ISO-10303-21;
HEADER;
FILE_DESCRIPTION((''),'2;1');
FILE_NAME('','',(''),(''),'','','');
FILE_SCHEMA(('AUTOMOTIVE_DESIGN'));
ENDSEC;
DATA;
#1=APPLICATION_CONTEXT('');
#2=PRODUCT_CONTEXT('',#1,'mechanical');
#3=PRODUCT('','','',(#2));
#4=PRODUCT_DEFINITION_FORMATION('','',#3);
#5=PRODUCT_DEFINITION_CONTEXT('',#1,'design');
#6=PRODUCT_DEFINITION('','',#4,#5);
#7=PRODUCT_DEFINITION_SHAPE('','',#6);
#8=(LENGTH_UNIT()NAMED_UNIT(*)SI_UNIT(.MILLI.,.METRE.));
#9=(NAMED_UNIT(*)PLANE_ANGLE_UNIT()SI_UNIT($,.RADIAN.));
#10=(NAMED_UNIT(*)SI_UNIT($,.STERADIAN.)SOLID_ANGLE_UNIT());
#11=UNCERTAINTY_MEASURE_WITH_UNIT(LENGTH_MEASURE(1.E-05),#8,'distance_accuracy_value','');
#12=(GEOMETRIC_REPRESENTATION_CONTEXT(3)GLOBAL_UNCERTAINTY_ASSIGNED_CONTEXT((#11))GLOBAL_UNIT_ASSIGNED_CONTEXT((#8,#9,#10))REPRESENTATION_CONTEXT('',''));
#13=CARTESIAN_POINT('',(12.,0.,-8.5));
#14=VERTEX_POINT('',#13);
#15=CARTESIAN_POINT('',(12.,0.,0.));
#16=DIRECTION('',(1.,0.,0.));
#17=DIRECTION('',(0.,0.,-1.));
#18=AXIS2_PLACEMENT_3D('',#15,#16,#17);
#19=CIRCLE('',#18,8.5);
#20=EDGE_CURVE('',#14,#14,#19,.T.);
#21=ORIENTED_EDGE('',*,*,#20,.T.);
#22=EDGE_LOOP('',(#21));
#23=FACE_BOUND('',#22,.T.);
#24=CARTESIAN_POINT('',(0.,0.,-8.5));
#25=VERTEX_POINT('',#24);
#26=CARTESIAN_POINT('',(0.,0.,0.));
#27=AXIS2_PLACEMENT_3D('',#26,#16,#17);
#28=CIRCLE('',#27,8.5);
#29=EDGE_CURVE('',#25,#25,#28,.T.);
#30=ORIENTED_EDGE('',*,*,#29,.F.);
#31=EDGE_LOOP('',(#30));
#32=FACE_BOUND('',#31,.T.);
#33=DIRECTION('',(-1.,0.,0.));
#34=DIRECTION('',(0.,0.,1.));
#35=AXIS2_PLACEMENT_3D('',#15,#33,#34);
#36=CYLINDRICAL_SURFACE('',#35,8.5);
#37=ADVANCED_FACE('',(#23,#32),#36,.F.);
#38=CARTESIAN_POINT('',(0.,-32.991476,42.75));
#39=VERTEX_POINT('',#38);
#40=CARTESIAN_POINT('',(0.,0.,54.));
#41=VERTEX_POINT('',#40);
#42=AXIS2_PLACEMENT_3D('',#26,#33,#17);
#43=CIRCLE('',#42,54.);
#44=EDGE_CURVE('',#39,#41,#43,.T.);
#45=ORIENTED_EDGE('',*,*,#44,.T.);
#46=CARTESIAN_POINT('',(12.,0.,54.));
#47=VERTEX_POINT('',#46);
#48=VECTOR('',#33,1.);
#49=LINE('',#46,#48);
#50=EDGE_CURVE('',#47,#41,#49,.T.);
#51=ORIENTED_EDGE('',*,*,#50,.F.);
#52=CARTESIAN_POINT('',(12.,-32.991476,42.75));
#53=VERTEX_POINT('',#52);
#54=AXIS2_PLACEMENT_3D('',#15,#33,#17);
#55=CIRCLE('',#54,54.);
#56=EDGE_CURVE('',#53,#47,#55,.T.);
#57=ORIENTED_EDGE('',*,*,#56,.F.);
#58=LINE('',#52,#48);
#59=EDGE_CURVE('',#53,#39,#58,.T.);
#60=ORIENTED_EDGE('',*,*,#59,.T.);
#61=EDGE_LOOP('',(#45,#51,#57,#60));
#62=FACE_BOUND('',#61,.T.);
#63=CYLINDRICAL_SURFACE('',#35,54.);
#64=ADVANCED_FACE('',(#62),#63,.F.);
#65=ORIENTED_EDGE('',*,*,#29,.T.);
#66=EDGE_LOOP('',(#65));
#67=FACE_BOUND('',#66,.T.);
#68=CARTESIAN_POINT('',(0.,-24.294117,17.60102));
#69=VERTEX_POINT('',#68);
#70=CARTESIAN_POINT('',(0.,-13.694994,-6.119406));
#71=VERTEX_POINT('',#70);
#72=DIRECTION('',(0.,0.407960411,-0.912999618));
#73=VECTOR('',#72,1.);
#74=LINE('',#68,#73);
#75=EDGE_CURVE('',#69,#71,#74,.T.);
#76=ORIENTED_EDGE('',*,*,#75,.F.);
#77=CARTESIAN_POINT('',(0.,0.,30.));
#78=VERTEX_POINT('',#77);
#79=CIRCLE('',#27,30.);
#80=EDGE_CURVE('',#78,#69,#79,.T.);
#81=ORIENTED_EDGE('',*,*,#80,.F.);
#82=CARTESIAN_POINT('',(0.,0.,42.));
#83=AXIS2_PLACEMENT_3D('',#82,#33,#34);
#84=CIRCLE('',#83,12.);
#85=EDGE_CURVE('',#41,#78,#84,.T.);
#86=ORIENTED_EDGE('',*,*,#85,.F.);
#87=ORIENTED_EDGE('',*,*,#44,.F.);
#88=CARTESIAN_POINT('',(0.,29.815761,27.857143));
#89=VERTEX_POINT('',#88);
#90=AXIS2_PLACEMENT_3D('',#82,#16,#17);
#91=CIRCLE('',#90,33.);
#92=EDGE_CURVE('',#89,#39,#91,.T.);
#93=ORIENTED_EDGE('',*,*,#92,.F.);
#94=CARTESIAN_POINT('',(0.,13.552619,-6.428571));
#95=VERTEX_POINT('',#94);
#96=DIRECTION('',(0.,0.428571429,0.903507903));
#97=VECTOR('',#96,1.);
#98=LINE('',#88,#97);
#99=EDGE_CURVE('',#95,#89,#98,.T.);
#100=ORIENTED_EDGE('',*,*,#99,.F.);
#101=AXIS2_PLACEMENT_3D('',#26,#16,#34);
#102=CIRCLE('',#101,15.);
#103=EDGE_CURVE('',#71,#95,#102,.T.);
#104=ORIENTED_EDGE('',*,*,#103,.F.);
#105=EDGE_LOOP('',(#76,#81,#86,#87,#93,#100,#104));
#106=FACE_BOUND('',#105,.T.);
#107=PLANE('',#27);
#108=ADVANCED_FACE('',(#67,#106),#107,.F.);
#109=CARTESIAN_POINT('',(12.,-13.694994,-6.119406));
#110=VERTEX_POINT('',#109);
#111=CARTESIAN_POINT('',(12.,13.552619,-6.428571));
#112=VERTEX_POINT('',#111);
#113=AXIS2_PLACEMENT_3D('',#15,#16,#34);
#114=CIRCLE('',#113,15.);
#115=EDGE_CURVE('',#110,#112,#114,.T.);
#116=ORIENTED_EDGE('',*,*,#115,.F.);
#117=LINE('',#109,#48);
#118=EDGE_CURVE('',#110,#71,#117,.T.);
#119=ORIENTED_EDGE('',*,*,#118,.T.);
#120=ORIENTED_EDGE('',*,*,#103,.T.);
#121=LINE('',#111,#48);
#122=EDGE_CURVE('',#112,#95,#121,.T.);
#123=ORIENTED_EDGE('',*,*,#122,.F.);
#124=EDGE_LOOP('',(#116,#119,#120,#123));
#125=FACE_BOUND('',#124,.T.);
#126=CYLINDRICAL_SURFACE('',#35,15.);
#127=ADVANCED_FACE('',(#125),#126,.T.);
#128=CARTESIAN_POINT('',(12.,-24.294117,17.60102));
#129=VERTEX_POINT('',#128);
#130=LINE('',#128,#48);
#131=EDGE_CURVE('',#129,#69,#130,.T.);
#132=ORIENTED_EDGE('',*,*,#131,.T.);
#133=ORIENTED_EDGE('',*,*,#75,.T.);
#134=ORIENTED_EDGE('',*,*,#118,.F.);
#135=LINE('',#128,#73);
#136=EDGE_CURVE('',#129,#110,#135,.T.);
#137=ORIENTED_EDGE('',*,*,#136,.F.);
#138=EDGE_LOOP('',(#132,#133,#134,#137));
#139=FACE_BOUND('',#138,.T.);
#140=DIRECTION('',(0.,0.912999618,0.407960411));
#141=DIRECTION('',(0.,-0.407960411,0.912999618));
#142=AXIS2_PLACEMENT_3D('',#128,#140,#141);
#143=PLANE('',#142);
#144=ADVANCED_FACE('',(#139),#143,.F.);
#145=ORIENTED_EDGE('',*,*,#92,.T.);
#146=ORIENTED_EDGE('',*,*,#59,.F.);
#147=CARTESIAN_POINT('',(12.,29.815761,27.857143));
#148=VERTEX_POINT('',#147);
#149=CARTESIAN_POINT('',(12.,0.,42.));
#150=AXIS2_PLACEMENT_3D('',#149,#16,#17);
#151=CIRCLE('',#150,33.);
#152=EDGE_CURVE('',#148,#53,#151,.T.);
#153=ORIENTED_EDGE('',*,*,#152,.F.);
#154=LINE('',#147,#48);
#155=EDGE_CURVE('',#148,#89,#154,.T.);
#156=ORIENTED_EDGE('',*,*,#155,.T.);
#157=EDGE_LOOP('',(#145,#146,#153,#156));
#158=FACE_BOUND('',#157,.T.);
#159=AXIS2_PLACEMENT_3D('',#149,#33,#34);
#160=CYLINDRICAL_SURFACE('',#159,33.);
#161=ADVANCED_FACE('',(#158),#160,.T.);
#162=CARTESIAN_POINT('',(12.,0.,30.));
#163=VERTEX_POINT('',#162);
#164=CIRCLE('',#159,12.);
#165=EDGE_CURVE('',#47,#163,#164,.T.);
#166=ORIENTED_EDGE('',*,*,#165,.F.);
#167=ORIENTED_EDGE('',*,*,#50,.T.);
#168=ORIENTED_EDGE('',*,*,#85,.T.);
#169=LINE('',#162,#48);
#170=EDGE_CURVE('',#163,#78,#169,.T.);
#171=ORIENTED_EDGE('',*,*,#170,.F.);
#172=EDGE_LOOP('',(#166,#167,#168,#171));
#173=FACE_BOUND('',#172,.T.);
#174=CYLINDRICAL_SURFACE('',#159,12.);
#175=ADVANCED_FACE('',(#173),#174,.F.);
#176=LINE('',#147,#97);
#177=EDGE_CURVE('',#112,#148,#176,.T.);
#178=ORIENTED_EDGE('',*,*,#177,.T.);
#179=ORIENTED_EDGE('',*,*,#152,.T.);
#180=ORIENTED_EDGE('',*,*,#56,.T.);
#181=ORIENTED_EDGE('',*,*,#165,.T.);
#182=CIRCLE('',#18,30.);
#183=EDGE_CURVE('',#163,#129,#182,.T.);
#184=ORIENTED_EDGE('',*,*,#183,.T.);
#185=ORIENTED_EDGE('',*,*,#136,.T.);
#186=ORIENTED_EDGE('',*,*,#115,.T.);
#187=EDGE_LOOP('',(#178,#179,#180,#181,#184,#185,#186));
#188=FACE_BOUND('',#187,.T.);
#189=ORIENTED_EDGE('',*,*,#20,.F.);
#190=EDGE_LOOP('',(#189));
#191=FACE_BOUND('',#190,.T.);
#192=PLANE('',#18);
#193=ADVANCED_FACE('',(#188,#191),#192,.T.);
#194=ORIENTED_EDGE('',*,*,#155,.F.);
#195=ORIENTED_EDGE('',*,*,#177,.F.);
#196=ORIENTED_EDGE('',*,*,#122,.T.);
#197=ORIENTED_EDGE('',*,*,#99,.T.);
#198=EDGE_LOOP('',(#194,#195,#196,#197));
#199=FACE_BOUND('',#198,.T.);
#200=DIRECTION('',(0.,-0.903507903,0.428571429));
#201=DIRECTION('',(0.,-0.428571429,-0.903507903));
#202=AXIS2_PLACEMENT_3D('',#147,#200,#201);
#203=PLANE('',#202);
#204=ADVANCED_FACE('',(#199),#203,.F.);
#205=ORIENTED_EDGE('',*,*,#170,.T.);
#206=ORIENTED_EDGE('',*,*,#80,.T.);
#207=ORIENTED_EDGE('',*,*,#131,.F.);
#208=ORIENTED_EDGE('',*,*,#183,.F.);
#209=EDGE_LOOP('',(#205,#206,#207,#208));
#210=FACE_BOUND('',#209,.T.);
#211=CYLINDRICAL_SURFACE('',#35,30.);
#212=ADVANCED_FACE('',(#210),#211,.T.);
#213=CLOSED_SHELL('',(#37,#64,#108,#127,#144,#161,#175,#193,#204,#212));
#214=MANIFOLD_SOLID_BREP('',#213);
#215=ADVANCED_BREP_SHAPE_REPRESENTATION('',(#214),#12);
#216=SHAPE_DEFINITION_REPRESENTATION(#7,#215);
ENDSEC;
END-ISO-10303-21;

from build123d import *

# Parameters (mm, degrees)
SKETCH1_R           = 8.5
BOSS_EXTRUDE1_DEPTH = 12


with BuildPart() as part:
    # Sketch1 → Boss-Extrude1 (new body)
    with BuildSketch(Plane(origin=(0, 0, 0), x_dir=(0, 0, -1), z_dir=(1, 0, 0))):
        with BuildLine():
            Line((-17.601019721, -24.29411667), (6.119406169, -13.694994273))
            ThreePointArc((6.119406169, -13.694994273), (14.999034519, -0.170186666), (6.428571429, 13.552618544))
            Line((6.428571429, 13.552618544), (-27.857142857, 29.815760796))
            ThreePointArc((-27.857142857, 29.815760796), (-74.109646673, 7.613842033), (-42.75, -32.991476172))
            ThreePointArc((-42.75, -32.991476172), (-51.110175112, -17.428425058), (-54, 0))
            ThreePointArc((-54, 0), (-42, 12), (-30, 0))
            ThreePointArc((-30, 0), (-26.721064646, -13.637620914), (-17.601019721, -24.29411667))
        make_face()
        Circle(SKETCH1_R, mode=Mode.SUBTRACT)
    extrude(amount=BOSS_EXTRUDE1_DEPTH)


solid = part.part
